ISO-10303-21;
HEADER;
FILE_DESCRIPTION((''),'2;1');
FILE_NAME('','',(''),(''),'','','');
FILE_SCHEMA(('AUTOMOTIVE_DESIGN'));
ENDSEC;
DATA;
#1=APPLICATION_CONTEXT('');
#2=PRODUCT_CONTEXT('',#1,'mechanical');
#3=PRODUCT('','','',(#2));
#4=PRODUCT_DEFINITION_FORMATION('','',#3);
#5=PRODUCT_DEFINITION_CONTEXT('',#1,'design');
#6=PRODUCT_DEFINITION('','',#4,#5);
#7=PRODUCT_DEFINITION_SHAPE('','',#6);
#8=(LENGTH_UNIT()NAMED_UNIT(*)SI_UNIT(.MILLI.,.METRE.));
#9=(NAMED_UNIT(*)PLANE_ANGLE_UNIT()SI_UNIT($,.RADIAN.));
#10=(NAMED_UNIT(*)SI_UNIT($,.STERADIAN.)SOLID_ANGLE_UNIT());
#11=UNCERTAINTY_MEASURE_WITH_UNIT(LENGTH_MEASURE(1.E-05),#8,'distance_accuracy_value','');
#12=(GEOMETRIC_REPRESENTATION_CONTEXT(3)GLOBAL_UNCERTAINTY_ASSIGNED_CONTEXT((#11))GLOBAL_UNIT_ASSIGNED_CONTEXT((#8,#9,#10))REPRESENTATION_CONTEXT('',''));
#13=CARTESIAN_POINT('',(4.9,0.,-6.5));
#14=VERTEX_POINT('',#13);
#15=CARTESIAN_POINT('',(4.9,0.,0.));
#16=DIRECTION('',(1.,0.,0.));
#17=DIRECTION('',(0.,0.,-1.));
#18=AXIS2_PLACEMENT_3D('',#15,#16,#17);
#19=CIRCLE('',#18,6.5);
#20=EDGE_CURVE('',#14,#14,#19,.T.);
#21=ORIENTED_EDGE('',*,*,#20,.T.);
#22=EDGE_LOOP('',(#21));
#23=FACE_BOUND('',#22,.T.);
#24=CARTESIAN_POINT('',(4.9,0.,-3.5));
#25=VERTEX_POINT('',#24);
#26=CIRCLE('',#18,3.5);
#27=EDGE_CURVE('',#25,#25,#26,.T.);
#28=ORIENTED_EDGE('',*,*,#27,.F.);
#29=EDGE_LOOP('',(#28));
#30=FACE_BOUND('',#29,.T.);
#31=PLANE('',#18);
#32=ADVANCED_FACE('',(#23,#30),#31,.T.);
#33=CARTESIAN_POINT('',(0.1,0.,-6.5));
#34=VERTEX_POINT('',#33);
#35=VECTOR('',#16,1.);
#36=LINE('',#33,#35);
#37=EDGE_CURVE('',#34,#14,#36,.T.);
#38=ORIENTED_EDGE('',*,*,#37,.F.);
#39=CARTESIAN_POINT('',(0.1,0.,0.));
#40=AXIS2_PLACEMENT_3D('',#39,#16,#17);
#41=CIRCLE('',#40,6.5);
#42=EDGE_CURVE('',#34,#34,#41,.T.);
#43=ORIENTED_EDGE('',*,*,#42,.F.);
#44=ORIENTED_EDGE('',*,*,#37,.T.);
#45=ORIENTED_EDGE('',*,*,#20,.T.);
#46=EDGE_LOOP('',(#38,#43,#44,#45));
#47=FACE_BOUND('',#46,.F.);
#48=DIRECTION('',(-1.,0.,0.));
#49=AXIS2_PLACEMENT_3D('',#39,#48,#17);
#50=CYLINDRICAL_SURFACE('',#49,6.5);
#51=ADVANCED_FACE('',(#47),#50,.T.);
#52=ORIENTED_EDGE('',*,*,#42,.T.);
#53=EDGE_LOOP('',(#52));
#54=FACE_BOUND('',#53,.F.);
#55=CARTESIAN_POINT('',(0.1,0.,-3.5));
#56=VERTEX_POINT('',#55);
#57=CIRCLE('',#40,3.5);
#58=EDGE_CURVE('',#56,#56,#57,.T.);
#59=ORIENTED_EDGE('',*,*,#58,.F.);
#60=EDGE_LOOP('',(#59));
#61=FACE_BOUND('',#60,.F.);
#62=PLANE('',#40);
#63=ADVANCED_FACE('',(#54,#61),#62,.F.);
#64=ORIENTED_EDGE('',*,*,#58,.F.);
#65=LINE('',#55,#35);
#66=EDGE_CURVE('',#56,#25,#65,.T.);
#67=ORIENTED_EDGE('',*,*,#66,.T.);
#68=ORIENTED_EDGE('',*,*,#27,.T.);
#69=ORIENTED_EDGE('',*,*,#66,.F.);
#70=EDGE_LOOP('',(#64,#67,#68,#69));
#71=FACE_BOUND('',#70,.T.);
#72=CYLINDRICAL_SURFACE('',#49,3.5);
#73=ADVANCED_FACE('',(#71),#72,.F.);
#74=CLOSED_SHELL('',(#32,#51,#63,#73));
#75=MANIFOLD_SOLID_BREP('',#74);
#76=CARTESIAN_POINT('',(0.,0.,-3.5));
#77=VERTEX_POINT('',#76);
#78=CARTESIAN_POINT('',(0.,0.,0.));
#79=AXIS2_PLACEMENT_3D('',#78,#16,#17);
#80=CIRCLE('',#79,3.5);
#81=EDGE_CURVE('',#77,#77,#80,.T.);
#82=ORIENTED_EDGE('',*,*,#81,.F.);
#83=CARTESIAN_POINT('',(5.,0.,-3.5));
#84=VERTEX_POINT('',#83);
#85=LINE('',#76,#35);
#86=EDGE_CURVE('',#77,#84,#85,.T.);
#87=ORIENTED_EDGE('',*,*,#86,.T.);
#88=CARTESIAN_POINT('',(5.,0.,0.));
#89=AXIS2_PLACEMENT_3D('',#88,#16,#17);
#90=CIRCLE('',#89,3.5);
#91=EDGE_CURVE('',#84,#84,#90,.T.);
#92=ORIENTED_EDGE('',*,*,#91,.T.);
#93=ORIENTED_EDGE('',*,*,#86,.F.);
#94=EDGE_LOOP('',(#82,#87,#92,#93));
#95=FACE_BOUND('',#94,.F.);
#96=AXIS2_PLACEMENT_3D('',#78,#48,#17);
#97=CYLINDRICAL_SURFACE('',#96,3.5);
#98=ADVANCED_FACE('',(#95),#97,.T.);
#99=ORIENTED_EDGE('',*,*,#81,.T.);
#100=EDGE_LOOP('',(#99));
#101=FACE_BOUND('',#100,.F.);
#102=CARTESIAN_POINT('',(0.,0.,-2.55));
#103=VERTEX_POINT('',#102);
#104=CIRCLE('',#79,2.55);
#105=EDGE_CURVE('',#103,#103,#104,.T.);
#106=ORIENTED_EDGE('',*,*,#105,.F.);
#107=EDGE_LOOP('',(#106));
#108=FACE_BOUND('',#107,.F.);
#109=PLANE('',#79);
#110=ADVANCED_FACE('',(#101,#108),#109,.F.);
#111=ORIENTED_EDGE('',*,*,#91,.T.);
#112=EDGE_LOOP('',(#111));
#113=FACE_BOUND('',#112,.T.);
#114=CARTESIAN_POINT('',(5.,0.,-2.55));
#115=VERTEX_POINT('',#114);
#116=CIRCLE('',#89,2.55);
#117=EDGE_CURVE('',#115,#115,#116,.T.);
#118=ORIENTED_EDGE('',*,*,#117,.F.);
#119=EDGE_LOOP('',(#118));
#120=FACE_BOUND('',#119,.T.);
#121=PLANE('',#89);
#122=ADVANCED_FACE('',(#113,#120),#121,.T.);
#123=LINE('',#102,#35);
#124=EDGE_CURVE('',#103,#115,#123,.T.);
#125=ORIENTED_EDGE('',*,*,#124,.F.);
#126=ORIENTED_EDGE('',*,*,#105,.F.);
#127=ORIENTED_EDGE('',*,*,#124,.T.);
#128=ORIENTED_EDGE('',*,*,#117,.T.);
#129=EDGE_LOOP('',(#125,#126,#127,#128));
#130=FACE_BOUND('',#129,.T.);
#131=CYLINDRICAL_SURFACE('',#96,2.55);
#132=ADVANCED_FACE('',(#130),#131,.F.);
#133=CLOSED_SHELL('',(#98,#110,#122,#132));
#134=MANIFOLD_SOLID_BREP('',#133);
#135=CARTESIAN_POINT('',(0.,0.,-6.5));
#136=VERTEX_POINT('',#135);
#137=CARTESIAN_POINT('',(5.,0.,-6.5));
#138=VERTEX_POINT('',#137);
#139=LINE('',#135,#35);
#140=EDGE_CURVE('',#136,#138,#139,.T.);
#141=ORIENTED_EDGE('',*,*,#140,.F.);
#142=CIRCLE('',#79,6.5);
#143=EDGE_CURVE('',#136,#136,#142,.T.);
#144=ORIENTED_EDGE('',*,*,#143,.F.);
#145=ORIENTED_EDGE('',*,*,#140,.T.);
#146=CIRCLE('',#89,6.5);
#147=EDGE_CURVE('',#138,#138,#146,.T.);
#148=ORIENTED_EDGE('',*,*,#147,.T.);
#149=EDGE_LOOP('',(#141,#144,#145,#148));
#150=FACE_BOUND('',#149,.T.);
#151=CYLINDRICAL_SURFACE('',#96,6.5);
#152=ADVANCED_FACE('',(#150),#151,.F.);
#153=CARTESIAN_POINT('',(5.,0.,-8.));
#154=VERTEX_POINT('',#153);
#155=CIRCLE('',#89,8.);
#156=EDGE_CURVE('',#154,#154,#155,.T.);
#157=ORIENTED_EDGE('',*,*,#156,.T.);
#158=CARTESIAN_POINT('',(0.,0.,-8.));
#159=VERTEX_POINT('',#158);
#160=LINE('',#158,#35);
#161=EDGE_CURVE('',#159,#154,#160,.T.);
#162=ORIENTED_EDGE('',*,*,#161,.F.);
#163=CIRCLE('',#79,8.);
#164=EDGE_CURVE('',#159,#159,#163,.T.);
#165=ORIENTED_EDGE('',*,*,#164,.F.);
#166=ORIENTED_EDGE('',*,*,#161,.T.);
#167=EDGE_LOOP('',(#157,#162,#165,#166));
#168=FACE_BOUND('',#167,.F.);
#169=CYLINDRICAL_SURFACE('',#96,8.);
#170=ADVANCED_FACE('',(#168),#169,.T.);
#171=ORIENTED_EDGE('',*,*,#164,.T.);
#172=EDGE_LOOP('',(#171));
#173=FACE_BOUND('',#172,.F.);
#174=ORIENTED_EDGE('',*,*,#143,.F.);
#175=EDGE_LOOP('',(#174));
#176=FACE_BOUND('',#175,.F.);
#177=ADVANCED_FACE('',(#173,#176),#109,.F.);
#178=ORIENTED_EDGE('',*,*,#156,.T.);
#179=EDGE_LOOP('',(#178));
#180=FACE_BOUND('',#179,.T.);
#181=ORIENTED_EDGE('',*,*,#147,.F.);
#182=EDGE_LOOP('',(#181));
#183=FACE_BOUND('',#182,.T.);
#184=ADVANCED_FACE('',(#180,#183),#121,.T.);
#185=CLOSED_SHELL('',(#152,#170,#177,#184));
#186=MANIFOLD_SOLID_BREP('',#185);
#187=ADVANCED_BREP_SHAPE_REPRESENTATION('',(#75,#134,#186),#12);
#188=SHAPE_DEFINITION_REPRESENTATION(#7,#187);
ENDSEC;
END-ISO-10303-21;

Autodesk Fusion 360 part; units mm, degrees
sketch "Sketch1" plane through (0, 0, 0) normal (1, 0, 0) x (0, 0, -1)
  circle A0 centre (0, 0) radius 2.55
  circle A1 centre (0, 0) radius 8
  circle A2 centre (0, 0) radius 3.5
  circle A3 centre (0, 0) radius 6.5
  dimension "d1" = 5.1
  dimension "d2" = 16
  dimension "d3" = 7
  dimension "d4" = 13
extrude "Extrude1" add sketch "Sketch1" along normal blind 5 makes body 1 at (3.3333, -0.3988, -7.9901) makes body 2 at (3.3333, -0.1745, -3.4956)
extrude "Extrude2" add sketch "Sketch1" along normal blind 4.8 from surface at 0.1 separate body contours A3 makes body 3
